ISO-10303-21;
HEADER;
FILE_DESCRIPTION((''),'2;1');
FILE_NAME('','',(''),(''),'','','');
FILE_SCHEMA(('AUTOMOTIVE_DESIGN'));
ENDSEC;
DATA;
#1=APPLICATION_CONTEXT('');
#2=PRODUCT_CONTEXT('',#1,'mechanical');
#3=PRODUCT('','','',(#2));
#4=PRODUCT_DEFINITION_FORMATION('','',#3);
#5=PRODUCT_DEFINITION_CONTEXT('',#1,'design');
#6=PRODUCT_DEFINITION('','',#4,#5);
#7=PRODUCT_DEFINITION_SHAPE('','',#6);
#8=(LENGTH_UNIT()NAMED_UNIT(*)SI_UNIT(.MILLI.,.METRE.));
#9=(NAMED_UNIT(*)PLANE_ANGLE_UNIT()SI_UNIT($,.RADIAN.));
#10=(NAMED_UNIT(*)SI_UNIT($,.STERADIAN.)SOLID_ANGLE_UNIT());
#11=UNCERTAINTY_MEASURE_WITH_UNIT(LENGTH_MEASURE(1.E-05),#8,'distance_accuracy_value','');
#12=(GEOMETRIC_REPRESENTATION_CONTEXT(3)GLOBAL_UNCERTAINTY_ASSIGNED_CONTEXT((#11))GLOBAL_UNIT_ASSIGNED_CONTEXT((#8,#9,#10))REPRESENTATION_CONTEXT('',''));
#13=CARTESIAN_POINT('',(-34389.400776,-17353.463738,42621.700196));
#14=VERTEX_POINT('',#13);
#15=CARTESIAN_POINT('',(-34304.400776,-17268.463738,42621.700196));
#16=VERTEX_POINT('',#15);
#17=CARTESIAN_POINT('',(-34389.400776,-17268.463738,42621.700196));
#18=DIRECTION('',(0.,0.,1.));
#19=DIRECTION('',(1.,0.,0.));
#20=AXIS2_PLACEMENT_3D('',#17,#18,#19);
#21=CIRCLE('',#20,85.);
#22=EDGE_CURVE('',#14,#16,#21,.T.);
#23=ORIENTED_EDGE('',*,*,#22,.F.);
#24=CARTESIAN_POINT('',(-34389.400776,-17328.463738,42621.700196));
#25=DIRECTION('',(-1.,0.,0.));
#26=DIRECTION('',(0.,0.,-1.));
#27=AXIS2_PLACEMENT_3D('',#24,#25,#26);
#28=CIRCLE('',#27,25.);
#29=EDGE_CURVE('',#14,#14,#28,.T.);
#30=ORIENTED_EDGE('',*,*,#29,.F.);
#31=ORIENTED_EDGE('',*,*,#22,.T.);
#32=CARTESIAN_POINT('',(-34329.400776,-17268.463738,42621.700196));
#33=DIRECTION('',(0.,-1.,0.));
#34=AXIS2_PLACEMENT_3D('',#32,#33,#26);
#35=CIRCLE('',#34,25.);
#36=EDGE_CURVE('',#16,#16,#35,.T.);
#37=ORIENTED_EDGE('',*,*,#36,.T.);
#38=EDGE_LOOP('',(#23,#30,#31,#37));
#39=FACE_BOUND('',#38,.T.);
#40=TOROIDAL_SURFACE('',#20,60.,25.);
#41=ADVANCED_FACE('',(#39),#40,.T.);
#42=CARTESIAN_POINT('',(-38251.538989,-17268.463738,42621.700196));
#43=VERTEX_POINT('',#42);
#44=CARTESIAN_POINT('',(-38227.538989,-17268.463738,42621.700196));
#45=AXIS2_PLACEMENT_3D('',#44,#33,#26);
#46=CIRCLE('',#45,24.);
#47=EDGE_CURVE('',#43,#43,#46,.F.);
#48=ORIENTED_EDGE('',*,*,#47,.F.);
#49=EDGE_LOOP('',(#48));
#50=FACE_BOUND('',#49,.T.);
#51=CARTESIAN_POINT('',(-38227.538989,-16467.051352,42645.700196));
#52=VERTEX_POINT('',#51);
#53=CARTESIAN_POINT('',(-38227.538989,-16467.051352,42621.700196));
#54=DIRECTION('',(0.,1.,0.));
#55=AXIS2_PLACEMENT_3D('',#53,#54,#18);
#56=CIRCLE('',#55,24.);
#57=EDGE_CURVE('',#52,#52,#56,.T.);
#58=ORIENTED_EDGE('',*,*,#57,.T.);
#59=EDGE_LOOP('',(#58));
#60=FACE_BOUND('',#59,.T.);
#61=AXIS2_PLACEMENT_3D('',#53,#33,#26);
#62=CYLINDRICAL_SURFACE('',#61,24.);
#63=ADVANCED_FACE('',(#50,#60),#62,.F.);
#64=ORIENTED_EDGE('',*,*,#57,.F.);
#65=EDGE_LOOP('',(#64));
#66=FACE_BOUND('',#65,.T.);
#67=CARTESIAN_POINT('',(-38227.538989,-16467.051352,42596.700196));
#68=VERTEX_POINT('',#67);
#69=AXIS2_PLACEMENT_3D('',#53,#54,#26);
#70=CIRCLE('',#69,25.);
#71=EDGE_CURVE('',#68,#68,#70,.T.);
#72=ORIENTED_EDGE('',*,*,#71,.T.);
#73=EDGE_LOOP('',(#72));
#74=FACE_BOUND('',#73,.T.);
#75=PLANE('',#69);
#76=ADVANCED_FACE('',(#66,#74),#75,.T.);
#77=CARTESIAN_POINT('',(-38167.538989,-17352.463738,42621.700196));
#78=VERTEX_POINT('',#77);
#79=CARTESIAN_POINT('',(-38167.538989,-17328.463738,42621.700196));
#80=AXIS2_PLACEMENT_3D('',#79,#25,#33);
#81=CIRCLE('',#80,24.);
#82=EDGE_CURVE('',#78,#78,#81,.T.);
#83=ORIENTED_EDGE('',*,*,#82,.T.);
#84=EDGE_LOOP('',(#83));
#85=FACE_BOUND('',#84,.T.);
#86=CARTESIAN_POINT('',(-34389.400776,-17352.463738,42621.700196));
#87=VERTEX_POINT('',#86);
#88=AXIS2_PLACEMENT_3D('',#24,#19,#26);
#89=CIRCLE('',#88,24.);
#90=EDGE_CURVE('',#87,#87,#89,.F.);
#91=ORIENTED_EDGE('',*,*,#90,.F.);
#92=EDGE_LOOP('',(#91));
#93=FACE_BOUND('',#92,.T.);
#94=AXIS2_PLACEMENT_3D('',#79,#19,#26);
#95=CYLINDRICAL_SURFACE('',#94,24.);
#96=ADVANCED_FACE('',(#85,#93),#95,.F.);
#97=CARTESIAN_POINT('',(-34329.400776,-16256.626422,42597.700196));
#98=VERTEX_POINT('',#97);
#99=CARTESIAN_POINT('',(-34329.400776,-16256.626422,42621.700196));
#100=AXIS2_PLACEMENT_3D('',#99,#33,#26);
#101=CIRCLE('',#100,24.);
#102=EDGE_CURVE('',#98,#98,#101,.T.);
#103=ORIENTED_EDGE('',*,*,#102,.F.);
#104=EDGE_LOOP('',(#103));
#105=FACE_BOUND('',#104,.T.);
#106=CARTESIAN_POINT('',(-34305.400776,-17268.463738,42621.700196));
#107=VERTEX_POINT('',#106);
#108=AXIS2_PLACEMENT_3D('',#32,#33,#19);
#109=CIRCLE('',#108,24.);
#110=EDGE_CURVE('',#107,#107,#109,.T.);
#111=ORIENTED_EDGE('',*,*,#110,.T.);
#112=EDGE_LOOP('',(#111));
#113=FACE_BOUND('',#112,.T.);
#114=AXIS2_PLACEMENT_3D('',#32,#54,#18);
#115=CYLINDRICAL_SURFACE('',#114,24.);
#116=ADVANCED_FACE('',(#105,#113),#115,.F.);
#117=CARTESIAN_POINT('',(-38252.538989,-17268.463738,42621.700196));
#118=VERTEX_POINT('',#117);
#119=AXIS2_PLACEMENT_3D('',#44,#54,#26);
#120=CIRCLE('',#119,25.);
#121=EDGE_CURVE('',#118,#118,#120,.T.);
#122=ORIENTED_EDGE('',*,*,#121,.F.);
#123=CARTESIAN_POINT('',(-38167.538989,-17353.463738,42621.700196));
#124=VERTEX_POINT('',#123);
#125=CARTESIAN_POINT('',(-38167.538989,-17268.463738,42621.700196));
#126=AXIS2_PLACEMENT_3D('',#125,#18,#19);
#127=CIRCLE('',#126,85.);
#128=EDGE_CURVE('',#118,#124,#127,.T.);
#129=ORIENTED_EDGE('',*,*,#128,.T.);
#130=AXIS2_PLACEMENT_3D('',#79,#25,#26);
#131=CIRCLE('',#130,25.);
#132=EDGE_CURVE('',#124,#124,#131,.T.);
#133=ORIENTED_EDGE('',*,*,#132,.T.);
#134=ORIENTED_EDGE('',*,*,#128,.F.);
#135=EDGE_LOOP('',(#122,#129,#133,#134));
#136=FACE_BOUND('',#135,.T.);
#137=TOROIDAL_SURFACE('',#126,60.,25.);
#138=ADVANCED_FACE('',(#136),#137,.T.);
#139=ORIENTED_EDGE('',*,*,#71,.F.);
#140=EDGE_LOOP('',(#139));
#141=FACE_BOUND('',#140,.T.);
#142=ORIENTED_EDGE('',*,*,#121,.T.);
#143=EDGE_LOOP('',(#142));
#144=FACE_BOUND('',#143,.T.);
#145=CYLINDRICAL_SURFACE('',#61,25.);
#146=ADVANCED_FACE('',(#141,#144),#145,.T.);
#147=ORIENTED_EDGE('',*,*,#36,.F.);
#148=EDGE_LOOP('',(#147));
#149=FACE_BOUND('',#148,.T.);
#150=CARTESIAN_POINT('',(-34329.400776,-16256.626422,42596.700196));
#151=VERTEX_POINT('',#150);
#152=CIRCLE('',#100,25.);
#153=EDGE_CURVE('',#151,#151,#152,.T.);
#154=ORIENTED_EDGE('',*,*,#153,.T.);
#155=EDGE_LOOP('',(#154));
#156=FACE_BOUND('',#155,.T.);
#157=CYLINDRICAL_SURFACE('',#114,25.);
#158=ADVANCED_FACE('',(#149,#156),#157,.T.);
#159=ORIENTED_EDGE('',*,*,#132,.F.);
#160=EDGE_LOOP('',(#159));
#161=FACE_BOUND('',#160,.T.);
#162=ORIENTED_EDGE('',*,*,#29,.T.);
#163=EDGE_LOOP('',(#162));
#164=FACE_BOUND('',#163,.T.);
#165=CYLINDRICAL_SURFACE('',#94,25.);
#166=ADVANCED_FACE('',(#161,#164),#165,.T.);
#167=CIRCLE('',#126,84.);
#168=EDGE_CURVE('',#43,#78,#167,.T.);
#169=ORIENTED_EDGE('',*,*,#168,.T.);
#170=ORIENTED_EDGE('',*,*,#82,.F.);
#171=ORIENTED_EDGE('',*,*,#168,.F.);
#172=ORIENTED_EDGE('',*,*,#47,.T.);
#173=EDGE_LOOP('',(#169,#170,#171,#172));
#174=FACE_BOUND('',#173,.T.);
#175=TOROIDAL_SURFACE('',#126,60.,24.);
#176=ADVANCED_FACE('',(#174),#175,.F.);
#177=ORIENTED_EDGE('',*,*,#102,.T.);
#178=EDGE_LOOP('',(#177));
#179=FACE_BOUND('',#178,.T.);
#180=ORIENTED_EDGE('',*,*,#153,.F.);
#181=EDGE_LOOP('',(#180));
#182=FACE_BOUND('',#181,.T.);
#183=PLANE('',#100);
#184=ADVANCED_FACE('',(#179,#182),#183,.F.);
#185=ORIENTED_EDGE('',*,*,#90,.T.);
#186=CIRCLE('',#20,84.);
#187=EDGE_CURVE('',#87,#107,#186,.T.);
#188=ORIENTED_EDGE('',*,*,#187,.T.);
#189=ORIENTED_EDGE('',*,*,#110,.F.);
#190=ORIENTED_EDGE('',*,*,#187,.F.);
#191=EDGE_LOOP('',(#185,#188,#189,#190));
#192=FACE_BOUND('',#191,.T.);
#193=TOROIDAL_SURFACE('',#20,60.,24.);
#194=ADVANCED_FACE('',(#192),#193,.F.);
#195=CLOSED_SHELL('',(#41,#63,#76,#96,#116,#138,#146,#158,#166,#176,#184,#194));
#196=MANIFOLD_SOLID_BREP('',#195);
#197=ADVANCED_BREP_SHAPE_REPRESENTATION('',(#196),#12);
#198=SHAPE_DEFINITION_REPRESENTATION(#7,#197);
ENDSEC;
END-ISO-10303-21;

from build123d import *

# Parameters (mm, degrees)
SWEEP_THIN1_PROFILE_R   = 25
SWEEP_THIN1_PROFILE_R_2 = 24


with BuildPart() as part:
    # Sweep-Thin1: sweep along a curve in space
    with BuildLine() as sweep_thin1_path:
        Line((-38227.538989442, -16467.051351688, 42621.700196057), (-38227.538989442, -17268.463737534, 42621.700196057))
        ThreePointArc((-38167.538989442, -17328.463737534, 42621.700196057), (-38209.965396313, -17310.890144405, 42621.700196057), (-38227.538989442, -17268.463737534, 42621.700196057))
        Line((-38167.538989442, -17328.463737534, 42621.700196057), (-34389.400775884, -17328.463737534, 42621.700196057))
        ThreePointArc((-34389.400775884, -17328.463737534, 42621.700196057), (-34346.974369013, -17310.890144405, 42621.700196057), (-34329.400775884, -17268.463737534, 42621.700196057))
        Line((-34329.400775884, -17268.463737534, 42621.700196057), (-34329.400775884, -16256.626421741, 42621.700196057))
    # Sweep-Thin1 profile (on start of the path) → Sweep-Thin1 (sweep)
    with BuildSketch(Plane(origin=(-38227.538989442, -16467.051351688, 42621.700196057), x_dir=(0, 0, -1), z_dir=(0, -1, 0))):
        Circle(SWEEP_THIN1_PROFILE_R)
        Circle(SWEEP_THIN1_PROFILE_R_2, mode=Mode.SUBTRACT)
    sweep(path=sweep_thin1_path.line)


solid = part.part
